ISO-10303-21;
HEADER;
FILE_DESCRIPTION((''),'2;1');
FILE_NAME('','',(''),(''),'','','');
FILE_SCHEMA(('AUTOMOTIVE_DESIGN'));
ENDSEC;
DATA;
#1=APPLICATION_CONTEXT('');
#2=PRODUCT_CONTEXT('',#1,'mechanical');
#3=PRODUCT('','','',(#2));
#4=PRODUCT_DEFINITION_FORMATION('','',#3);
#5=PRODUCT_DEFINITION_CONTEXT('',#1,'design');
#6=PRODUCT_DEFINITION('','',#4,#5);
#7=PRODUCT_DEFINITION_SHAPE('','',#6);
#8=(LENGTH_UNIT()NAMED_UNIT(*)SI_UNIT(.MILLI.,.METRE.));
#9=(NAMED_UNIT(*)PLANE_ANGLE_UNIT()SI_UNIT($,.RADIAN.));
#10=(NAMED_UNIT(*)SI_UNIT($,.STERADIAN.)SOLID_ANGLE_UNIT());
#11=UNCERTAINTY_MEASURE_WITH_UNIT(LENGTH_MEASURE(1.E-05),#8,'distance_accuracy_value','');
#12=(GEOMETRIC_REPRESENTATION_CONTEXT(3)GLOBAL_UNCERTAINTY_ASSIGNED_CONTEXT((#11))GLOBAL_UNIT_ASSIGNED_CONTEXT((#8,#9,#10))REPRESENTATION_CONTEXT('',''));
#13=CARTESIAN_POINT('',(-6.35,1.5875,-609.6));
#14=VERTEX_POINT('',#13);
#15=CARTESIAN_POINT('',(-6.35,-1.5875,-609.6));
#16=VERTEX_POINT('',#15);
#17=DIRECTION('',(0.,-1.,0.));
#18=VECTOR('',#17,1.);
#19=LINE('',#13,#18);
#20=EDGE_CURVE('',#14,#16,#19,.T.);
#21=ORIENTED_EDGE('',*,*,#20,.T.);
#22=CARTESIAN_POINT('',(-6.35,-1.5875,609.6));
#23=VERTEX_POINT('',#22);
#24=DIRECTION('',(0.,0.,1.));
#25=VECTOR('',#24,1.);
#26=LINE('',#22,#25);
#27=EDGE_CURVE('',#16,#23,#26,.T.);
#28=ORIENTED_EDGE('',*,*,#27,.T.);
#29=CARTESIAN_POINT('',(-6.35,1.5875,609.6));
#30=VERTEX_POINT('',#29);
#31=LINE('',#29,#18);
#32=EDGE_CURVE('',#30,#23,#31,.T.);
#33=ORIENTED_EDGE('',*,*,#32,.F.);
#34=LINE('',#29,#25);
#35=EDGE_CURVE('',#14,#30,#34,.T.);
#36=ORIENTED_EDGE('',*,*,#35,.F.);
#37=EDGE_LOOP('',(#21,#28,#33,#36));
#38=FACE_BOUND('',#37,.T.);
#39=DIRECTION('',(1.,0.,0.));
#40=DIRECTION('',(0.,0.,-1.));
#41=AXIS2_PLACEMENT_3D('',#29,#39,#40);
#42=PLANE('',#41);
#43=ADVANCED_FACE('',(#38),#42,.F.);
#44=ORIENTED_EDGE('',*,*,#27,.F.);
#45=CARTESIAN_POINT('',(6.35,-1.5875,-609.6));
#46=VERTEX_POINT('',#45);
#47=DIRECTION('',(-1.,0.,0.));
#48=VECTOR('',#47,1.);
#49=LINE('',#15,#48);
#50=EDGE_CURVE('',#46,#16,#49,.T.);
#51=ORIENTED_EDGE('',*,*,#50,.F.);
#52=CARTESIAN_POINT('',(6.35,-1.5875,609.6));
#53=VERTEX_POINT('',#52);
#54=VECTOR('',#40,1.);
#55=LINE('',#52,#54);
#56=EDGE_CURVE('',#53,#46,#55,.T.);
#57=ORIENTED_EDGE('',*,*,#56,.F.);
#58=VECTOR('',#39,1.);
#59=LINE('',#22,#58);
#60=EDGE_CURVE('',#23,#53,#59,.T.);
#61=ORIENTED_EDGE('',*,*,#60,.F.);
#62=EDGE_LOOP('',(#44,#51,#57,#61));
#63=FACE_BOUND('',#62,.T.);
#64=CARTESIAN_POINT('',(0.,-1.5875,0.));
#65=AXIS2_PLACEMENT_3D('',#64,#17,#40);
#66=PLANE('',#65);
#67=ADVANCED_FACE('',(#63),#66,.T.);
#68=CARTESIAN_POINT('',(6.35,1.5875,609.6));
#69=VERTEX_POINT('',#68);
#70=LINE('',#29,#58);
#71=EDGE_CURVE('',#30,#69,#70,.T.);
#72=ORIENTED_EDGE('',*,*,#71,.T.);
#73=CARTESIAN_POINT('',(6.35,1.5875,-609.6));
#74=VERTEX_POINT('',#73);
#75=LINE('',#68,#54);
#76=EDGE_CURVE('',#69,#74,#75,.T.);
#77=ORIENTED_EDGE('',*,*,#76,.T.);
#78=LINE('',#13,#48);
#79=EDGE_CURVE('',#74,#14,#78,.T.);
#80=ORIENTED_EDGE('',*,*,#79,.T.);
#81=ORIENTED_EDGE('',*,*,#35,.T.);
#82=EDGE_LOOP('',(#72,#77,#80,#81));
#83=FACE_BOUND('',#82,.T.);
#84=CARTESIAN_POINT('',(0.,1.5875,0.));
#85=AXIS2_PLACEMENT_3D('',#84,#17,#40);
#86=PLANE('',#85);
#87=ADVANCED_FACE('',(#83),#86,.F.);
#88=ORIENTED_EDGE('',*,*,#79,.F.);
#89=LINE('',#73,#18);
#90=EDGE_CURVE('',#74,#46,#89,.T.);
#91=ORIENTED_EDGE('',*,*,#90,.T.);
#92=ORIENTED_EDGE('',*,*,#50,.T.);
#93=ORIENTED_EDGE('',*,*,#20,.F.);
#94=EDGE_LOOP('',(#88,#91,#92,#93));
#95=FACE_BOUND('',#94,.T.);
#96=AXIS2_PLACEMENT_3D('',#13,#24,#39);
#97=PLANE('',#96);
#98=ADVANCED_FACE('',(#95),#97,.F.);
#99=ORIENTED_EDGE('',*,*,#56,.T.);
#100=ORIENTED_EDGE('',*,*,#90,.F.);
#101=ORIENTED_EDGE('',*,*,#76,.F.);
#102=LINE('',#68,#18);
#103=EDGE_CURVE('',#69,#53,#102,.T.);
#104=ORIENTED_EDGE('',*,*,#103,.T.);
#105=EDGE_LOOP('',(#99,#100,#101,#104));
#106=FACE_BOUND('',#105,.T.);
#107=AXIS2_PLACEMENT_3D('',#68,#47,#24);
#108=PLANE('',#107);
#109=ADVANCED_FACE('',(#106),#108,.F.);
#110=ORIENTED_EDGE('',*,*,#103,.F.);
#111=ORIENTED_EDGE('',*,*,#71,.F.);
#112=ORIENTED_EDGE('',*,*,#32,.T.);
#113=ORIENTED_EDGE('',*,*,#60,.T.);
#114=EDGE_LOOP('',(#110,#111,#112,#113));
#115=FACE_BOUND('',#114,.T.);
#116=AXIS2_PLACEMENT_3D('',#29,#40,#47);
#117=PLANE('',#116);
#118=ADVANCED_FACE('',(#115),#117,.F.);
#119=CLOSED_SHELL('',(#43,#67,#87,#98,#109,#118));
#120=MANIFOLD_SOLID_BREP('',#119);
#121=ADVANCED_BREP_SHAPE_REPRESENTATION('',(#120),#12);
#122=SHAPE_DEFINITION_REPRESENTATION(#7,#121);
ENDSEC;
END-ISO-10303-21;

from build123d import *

# Parameters (mm, degrees)
SKETCH1_W           = 12.7
SKETCH1_H           = 1219.2
BOSS_EXTRUDE1_DEPTH = 1.5875


with BuildPart() as part:
    # Sketch1 → Boss-Extrude1 (new body, symmetric)
    with BuildSketch(Plane(origin=(0, 0, 0), x_dir=(1, 0, 0), z_dir=(0, 1, 0))):
        Rectangle(SKETCH1_W, SKETCH1_H)
    extrude(amount=BOSS_EXTRUDE1_DEPTH, both=True)


solid = part.part
